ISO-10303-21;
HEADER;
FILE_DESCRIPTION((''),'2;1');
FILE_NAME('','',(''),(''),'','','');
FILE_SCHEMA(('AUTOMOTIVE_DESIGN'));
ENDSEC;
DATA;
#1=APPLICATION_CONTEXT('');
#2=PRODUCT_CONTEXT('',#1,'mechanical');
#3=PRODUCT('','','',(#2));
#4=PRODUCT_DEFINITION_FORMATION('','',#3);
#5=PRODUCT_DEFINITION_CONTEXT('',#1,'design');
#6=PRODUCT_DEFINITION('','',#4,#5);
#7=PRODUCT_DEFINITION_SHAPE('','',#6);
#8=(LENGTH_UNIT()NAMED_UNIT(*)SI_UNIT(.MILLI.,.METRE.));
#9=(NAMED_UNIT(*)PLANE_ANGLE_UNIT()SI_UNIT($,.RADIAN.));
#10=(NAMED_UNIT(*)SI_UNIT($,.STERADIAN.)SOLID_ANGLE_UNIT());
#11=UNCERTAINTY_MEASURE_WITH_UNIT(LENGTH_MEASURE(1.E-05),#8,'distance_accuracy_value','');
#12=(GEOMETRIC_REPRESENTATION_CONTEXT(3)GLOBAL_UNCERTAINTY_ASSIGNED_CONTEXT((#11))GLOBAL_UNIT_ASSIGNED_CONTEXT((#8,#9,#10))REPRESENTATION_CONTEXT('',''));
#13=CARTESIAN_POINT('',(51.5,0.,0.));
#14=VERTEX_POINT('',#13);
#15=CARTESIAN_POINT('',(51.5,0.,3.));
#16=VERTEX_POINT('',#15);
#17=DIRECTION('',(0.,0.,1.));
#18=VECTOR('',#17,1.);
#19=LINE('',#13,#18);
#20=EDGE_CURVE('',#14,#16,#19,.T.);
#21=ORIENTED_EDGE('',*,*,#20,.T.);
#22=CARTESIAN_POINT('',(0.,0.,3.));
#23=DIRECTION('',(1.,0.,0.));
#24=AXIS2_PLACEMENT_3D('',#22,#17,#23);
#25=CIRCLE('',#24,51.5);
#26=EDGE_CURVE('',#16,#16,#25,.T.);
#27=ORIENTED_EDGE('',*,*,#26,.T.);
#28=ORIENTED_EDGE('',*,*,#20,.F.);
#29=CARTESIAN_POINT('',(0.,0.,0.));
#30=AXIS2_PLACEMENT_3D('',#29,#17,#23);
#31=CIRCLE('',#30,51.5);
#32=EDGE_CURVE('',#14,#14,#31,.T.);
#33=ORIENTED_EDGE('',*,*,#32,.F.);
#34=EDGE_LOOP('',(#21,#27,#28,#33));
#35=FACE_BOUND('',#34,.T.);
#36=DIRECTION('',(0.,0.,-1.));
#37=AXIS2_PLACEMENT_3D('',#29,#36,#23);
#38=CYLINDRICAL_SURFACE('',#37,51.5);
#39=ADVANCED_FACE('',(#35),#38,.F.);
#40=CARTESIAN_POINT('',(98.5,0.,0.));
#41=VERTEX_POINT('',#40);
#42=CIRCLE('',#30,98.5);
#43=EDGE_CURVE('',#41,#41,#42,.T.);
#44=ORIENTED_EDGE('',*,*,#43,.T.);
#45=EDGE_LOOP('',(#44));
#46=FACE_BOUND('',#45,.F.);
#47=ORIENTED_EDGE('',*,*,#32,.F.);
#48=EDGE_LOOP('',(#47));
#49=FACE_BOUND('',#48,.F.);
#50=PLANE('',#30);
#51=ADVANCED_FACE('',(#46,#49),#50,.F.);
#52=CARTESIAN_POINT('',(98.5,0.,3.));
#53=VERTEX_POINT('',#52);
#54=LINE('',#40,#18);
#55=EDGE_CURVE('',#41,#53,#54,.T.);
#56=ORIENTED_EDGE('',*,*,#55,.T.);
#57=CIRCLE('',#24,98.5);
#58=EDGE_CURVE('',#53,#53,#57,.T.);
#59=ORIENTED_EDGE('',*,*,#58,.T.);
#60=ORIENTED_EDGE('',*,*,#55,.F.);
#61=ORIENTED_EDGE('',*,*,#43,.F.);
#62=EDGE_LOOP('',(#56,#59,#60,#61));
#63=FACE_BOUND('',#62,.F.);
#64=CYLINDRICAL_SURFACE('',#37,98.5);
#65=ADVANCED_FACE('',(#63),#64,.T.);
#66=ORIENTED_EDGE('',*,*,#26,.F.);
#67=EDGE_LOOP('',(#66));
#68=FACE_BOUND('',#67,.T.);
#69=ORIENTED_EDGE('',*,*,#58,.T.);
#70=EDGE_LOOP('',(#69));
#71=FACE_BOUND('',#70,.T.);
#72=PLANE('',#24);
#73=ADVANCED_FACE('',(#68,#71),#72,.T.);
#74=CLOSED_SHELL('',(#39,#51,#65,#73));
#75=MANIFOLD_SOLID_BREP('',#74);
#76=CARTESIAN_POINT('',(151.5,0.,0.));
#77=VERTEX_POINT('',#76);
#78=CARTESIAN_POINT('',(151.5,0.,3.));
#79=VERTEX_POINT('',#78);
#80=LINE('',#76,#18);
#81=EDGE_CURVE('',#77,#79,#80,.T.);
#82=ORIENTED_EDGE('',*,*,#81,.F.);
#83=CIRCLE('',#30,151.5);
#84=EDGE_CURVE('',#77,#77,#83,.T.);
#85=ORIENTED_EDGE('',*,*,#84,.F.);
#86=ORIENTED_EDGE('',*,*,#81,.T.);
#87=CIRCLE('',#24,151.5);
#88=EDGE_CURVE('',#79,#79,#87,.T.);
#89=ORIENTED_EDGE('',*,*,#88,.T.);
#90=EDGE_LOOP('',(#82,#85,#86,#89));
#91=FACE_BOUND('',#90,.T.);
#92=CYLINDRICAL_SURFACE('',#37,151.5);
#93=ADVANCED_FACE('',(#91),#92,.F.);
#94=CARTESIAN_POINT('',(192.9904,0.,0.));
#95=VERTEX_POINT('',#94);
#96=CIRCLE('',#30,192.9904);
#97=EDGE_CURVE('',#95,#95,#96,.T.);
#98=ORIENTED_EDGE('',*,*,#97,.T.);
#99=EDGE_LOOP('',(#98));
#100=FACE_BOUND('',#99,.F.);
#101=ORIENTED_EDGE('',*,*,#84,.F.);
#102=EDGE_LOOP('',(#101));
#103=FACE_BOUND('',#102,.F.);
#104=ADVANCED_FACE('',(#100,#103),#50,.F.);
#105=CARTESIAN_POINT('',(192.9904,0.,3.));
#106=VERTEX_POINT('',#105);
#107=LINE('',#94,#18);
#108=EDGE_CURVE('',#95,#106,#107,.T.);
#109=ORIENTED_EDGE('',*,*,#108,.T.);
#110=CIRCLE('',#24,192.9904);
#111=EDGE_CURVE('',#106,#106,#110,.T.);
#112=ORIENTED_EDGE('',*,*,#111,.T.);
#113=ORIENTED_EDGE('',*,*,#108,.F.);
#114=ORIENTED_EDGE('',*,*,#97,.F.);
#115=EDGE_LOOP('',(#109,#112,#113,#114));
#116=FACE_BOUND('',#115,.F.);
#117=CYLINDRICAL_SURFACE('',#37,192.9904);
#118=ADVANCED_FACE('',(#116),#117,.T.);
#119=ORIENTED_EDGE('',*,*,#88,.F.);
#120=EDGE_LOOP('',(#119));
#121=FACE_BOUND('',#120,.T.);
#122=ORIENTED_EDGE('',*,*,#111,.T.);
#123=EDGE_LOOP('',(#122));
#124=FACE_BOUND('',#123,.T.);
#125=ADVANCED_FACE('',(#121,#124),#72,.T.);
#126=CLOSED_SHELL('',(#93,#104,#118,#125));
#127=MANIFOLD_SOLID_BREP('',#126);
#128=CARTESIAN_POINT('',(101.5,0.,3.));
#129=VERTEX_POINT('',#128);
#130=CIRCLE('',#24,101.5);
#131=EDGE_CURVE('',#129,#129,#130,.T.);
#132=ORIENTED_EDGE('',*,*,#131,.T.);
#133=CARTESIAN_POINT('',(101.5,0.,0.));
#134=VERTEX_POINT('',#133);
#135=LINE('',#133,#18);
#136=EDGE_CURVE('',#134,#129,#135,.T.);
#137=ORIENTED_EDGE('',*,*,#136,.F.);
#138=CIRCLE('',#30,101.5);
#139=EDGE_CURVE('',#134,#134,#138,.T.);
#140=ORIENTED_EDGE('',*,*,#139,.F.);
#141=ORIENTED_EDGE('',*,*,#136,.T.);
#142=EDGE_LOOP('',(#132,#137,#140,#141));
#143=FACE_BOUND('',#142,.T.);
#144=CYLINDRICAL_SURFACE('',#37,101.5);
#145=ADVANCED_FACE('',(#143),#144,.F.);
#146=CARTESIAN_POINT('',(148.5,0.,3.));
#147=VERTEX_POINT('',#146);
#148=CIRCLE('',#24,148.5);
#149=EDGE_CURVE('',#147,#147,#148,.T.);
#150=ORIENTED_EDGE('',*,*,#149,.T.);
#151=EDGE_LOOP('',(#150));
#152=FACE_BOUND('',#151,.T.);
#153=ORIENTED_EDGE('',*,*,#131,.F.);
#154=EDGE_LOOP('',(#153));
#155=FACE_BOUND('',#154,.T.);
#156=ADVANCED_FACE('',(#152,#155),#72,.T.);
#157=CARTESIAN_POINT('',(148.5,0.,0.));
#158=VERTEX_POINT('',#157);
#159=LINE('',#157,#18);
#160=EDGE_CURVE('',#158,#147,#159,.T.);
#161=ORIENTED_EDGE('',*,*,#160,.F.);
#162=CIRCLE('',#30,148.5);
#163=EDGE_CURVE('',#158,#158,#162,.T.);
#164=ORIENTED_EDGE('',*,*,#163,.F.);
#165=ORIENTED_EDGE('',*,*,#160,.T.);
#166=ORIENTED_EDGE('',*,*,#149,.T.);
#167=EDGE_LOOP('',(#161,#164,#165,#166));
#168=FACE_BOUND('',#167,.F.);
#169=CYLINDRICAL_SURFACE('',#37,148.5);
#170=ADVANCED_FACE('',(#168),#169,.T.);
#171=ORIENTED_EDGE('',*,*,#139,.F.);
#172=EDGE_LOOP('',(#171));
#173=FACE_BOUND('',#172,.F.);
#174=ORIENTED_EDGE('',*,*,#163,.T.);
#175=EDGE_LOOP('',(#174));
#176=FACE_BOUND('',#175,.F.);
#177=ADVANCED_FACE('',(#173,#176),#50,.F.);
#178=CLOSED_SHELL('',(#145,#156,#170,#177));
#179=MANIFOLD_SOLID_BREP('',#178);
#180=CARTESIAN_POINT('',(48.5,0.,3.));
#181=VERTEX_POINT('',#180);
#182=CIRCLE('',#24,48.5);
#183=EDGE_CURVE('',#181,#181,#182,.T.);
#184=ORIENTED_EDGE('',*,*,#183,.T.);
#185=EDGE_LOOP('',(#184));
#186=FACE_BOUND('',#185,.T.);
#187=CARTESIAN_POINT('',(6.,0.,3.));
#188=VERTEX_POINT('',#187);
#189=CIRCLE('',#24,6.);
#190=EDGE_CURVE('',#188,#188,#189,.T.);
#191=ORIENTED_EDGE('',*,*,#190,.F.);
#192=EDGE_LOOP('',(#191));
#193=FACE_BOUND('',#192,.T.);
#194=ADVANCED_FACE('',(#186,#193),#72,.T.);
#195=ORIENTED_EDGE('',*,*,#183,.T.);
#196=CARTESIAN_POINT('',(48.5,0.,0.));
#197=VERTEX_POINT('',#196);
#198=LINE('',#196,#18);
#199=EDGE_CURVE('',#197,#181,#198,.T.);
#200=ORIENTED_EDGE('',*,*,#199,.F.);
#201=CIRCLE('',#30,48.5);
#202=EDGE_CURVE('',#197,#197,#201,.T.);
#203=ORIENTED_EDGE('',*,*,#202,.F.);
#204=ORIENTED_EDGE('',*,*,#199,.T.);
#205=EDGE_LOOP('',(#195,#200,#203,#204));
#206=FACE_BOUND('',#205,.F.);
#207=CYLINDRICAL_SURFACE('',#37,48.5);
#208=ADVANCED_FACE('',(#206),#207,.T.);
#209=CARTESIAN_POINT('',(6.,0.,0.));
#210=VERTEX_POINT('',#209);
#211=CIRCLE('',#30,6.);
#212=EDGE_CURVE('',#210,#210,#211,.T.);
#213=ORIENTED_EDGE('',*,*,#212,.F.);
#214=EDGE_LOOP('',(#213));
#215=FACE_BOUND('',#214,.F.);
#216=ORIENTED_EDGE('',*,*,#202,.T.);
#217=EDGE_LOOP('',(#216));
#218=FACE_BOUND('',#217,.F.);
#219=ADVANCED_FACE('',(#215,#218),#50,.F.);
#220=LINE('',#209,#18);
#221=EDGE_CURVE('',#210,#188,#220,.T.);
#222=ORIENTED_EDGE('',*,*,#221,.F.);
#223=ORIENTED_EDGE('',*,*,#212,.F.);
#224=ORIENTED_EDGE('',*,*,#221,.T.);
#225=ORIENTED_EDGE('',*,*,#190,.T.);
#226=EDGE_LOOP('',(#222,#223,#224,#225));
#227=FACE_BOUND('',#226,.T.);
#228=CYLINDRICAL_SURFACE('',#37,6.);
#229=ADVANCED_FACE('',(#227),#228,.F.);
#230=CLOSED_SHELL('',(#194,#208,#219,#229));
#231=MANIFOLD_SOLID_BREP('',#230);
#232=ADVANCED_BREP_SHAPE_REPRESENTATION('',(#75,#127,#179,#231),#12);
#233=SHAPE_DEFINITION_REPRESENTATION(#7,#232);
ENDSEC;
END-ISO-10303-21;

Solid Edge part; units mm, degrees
sketch "Sketch1" plane through (0, 0, 0) normal (0, 0, 1) x (1, 0, 0)
  circle A0 centre (0, 0) radius 6
  circle A1 centre (0, 0) radius 48.5
  circle A2 centre (0, 0) radius 51.5
  circle A3 centre (0, 0) radius 98.5
  circle A4 centre (0, 0) radius 101.5
  circle A5 centre (0, 0) radius 148.5
  circle A6 centre (0, 0) radius 151.5
  circle A7 centre (0, 0) radius 192.9904
  dimension "D1" = 1.5
  dimension "D2" = 1.5
  dimension "D3" = 1.5
  dimension "D4" = 1.5
  dimension "D5" = 1.5
  dimension "D6" = 1.5
extrude "Protrusion1" add sketch "Sketch1" along normal blind 3
